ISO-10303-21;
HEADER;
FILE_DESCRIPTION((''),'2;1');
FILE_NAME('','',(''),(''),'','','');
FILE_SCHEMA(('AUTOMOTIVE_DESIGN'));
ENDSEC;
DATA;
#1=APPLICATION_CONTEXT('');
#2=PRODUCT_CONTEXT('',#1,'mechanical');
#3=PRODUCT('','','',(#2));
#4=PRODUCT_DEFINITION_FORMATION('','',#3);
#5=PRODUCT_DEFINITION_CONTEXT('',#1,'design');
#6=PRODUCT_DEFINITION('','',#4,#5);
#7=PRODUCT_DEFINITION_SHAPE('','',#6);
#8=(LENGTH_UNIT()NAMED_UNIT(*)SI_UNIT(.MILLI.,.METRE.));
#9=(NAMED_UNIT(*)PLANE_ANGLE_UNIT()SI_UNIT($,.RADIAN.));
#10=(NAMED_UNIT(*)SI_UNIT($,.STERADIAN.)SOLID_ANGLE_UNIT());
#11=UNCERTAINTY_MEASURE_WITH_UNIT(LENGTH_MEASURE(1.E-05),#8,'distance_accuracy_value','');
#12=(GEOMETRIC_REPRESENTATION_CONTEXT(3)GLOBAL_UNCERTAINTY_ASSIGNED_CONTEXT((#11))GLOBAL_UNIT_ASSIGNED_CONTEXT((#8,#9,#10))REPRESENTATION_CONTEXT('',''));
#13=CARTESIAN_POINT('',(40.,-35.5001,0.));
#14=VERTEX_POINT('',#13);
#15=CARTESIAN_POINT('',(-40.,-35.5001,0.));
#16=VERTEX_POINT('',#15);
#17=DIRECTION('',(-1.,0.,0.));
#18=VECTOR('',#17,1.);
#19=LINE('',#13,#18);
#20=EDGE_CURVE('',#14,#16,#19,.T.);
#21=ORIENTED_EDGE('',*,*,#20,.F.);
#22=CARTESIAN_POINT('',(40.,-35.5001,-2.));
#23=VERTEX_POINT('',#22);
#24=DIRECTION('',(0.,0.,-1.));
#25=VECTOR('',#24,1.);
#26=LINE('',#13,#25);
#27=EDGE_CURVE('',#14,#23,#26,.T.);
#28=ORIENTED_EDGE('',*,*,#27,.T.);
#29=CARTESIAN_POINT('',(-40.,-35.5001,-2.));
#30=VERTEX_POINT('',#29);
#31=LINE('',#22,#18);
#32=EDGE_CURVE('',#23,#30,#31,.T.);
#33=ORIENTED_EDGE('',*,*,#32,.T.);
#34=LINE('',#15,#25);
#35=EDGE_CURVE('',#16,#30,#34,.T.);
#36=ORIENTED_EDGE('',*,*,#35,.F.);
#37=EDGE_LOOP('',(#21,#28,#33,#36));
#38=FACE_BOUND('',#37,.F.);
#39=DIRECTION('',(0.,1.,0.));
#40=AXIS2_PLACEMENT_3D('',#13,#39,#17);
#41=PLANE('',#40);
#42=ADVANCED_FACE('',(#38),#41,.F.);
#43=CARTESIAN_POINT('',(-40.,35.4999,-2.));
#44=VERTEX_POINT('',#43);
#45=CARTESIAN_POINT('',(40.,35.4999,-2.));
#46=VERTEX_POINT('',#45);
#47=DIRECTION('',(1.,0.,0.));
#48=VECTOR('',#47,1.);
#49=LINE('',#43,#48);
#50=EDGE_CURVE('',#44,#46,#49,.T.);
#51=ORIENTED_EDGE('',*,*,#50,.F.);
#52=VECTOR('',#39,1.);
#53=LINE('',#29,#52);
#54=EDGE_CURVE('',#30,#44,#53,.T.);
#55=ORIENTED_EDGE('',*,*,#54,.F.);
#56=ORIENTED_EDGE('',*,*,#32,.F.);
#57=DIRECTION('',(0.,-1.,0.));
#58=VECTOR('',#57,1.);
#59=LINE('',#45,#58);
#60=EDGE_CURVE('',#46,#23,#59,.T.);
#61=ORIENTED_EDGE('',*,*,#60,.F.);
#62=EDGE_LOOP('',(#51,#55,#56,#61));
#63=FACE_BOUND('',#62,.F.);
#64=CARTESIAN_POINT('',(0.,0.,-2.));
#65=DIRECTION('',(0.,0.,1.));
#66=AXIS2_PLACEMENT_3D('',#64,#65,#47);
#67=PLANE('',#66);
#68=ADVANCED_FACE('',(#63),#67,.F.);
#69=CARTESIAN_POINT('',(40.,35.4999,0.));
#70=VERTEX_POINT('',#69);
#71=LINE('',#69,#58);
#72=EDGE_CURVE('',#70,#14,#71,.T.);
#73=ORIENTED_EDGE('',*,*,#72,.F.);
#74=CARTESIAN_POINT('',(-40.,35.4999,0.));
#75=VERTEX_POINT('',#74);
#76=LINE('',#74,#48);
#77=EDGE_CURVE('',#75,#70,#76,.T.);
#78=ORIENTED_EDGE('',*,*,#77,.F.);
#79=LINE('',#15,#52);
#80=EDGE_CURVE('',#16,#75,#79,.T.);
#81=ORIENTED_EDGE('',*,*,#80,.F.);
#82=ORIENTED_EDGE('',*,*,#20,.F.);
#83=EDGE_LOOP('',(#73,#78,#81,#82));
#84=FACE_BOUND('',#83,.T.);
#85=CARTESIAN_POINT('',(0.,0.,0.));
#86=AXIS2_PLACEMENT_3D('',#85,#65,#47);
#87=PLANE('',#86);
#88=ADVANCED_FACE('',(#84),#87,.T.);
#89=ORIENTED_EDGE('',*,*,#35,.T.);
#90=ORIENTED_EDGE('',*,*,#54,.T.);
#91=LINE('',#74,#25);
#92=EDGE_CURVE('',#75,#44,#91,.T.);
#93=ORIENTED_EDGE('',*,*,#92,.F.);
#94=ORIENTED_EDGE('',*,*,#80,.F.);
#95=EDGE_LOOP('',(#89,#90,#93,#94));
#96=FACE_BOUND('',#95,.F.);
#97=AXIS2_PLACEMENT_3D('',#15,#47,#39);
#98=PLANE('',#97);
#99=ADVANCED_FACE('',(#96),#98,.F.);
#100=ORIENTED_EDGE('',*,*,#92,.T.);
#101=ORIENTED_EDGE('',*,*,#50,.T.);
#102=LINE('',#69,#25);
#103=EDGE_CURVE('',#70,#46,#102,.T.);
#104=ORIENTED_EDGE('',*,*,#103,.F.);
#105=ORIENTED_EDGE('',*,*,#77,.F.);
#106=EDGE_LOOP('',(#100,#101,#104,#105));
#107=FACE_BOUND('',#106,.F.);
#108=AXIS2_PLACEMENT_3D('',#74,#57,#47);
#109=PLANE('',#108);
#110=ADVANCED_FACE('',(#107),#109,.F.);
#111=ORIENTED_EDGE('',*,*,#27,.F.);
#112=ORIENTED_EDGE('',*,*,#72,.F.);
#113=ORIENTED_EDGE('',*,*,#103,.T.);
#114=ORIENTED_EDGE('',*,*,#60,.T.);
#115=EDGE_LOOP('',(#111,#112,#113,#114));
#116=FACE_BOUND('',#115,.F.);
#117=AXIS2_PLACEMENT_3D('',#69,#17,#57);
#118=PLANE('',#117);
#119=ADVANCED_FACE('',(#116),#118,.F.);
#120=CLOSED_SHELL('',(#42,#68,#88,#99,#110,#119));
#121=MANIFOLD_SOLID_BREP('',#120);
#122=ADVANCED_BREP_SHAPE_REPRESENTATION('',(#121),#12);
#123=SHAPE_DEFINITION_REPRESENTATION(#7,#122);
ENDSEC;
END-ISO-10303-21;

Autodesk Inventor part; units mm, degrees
ref_plane "YZ Plane" through (0, 0, 0) normal (1, 0, 0) x (0, 1, 0)
ref_plane "XZ Plane" through (0, 0, 0) normal (0, 1, 0) x (-1, 0, 0)
ref_plane "XY Plane" through (0, 0, 0) normal (0, 0, 1) x (1, 0, 0)
sketch "Sketch4" plane through (0, 0, 0) normal (0, 0, 1) x (1, 0, 0)
  line L0 (-40, 35.4999) -> (40, 35.4999)
  line L1 (40, 35.4999) -> (40, -35.5001)
  line L2 (40, -35.5001) -> (-40, -35.5001)
  line L3 (-40, -35.5001) -> (-40, 35.4999)
  point P0 (0, 0)
  dimension "d40" = 80
  dimension "d43" = 71
extrude "Extrusion2" add sketch "Sketch4" against normal blind 2
sketch "Sketch5" plane through (0, 0, 0) normal (0, 0, 1) x (1, 0, 0)
  line L0 (-40, 35.4999) -> (40, 35.4999) projected
  line L1 (-40, 35.4999) -> (39.8942, 35.4999) construction
  line L2 (39.8942, 35.4999) -> (39.8942, -35.3996) construction
  line L3 (39.8942, -35.3996) -> (-40, -35.3996) construction
  line L4 (-40, -35.3996) -> (-40, 35.4999) construction
  point P0 (0, 0)
properties part number "tunnel"
